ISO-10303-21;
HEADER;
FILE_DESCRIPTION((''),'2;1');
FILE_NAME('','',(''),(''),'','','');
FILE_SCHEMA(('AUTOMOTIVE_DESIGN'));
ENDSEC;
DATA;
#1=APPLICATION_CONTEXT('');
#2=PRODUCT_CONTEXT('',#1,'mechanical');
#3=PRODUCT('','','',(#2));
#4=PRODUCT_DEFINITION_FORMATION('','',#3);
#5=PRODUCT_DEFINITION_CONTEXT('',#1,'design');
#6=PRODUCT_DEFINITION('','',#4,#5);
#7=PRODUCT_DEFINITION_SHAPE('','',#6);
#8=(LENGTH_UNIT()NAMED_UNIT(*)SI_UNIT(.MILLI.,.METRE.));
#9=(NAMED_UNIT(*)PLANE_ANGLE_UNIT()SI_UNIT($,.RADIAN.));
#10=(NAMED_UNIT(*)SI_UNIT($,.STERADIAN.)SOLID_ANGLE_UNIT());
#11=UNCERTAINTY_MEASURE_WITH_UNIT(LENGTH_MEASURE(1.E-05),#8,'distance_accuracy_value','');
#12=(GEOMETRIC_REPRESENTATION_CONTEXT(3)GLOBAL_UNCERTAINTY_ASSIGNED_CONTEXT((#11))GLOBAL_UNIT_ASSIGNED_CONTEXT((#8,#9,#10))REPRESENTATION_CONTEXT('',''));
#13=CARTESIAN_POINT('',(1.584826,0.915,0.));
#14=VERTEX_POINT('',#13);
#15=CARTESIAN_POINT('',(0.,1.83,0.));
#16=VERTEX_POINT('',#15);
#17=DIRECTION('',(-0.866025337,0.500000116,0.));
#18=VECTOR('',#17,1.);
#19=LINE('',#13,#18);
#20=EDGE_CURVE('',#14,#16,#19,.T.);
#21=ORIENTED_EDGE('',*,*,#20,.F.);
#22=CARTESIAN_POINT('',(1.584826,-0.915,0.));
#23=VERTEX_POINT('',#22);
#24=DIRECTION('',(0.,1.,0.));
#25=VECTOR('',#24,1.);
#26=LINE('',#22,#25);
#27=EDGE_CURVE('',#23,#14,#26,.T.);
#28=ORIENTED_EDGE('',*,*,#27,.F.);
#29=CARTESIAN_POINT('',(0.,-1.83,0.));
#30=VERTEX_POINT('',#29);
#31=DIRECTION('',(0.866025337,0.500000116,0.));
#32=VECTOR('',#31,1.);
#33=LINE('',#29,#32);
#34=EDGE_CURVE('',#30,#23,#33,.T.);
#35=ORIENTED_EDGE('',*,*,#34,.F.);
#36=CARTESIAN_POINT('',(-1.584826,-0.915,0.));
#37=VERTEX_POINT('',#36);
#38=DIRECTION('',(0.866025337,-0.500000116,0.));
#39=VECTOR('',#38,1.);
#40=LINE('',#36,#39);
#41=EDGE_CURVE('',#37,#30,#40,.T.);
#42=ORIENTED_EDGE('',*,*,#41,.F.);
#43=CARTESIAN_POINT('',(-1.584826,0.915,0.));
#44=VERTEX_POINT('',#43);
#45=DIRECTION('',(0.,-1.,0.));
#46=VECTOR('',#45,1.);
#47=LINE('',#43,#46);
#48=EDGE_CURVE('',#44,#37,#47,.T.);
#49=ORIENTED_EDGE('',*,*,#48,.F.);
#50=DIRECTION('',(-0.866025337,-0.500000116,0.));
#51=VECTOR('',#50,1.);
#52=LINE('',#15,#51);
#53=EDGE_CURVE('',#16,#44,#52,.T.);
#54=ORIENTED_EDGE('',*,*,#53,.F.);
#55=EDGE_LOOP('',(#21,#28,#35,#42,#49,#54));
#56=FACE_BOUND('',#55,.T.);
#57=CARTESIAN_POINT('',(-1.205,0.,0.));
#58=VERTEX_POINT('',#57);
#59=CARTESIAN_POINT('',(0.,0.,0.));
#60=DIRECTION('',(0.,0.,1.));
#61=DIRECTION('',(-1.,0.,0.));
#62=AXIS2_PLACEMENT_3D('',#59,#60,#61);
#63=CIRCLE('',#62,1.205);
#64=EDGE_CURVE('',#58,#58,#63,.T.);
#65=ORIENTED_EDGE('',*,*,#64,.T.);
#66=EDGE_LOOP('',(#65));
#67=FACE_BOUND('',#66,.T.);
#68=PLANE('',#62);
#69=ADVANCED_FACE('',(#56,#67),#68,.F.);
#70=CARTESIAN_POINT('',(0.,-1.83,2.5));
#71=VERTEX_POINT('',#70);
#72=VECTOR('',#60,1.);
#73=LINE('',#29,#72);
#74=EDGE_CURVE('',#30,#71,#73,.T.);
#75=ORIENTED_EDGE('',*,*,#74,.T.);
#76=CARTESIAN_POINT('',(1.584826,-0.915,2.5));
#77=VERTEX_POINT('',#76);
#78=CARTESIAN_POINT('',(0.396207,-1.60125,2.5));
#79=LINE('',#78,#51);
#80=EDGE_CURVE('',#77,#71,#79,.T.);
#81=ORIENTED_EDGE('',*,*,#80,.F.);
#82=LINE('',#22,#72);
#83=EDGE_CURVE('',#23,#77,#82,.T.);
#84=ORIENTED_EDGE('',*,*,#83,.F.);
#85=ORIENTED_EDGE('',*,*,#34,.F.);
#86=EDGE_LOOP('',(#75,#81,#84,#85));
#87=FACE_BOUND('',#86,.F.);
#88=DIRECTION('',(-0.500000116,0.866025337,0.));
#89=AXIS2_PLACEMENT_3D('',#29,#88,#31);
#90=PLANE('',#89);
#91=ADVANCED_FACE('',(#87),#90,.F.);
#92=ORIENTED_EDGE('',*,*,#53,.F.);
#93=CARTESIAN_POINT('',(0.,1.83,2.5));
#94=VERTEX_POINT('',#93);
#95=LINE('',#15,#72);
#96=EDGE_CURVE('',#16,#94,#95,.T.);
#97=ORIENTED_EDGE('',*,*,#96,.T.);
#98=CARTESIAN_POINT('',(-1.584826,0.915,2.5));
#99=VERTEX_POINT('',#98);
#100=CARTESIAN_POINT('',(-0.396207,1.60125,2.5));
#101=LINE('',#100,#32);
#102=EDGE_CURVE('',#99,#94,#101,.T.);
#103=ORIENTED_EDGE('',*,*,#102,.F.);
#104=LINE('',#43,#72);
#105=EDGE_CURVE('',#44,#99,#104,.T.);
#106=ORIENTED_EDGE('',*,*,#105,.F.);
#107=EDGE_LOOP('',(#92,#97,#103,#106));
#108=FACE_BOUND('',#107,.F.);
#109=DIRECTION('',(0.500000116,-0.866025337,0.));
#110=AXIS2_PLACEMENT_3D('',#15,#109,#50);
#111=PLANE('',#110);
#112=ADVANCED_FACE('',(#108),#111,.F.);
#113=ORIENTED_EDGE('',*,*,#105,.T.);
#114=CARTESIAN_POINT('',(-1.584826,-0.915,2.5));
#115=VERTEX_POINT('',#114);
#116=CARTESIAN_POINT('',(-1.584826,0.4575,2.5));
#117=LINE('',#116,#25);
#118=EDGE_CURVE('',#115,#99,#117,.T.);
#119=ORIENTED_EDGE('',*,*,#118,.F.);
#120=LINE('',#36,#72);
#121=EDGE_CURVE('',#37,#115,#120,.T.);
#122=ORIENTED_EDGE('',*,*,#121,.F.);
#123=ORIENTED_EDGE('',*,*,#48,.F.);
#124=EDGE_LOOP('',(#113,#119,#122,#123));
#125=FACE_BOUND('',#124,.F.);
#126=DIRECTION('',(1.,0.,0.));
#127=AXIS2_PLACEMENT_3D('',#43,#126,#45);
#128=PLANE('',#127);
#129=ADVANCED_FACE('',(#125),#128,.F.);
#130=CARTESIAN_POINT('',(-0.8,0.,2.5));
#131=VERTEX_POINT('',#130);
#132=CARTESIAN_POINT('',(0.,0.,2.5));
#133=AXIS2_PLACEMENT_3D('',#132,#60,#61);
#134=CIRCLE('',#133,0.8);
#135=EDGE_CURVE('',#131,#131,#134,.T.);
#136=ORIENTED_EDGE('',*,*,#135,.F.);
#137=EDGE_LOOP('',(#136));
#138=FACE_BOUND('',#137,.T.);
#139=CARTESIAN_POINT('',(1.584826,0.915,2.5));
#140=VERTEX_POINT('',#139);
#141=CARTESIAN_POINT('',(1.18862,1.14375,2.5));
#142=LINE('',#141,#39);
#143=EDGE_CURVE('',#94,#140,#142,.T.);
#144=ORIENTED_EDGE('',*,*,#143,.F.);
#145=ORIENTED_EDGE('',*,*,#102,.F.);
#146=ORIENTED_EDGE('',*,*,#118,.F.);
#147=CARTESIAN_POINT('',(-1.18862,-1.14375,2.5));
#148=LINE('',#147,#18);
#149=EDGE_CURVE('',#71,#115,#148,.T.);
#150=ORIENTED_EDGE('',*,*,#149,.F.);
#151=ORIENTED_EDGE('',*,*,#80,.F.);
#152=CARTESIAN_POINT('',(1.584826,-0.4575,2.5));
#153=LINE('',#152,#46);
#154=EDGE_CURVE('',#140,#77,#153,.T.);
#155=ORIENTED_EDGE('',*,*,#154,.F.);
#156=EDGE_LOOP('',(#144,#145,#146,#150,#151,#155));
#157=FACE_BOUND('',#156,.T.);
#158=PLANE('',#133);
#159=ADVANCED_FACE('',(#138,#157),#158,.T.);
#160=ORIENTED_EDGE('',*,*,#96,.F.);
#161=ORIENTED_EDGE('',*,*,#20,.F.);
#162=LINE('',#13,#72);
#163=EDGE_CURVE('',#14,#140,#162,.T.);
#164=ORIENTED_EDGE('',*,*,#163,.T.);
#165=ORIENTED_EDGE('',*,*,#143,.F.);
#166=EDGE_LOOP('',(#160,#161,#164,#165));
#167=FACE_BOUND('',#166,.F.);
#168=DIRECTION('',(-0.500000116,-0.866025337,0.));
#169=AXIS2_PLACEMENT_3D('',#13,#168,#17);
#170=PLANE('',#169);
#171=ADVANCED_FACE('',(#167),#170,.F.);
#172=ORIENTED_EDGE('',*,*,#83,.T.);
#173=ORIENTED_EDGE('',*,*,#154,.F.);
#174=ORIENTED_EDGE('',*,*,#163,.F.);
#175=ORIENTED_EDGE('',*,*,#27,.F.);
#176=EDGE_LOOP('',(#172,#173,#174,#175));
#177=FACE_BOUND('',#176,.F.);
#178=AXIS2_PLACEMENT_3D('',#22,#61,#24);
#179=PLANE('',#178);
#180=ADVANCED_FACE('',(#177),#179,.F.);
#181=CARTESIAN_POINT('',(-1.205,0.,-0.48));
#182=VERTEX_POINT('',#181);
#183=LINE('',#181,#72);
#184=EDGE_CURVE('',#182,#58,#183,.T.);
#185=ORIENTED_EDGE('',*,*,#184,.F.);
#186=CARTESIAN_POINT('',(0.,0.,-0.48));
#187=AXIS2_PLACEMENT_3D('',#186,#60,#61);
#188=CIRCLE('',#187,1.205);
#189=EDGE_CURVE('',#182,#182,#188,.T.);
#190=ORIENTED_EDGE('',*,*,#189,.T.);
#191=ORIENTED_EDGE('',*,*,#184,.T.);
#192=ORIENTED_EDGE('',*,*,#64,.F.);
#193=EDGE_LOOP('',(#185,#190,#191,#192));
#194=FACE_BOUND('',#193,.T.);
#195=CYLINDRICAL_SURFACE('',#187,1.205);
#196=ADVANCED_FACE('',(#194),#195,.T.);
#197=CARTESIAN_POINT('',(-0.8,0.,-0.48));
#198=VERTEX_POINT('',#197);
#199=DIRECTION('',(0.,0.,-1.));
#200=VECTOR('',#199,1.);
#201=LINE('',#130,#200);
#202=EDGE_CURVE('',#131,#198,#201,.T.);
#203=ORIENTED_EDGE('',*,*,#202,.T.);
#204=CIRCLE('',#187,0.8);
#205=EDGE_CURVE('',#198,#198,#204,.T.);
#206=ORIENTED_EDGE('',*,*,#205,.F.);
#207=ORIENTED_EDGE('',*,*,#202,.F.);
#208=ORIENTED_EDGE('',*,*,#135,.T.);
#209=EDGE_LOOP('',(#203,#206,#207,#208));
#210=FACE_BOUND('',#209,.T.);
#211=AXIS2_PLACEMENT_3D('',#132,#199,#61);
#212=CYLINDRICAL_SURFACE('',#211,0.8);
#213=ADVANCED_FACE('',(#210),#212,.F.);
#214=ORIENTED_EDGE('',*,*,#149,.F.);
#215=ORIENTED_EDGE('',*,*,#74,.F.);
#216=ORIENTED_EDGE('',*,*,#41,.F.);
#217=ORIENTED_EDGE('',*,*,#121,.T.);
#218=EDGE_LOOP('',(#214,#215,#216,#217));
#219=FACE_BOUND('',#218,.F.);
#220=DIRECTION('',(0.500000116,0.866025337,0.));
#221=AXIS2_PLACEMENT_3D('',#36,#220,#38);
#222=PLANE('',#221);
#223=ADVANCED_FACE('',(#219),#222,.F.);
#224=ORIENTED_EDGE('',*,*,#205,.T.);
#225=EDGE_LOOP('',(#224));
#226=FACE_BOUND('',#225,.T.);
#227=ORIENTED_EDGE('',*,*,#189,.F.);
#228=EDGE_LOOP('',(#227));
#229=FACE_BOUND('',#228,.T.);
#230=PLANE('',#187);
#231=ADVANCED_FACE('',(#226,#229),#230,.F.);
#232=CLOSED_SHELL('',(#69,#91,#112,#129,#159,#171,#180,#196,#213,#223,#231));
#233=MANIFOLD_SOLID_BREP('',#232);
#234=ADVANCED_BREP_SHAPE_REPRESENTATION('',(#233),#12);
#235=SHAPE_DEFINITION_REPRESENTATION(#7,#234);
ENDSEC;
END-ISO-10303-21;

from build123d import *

# Parameters (mm, degrees)
SKETCH001_R       = 3
POCKET_DEPTH      = 0.481
POCKET_DEPTH_BACK = -2.501


with BuildPart() as part:
    # Sketch → Revolution (revolve)
    with BuildSketch(Plane.XZ):
        Polygon((-0.8, 2.5), (-0.8, -0.48), (-1.205, -0.48), (-1.205, 0), (-1.83, 0), (-1.83, 2.5), align=None)
    revolve(axis=Axis((0, 0, 0), (0, 0, 1)))

    # Sketch001 → Pocket (cut, two sides)
    with BuildSketch(Plane.XY) as pocket_sk:
        Circle(SKETCH001_R)
        Polygon((0, 1.83), (-1.584826, 0.915), (-1.584826, -0.915), (0, -1.83), (1.584826, -0.915), (1.584826, 0.915), align=None, mode=Mode.SUBTRACT)
    extrude(amount=-POCKET_DEPTH, mode=Mode.SUBTRACT)
    extrude(pocket_sk.sketch, amount=-POCKET_DEPTH_BACK, mode=Mode.SUBTRACT)


solid = part.part
